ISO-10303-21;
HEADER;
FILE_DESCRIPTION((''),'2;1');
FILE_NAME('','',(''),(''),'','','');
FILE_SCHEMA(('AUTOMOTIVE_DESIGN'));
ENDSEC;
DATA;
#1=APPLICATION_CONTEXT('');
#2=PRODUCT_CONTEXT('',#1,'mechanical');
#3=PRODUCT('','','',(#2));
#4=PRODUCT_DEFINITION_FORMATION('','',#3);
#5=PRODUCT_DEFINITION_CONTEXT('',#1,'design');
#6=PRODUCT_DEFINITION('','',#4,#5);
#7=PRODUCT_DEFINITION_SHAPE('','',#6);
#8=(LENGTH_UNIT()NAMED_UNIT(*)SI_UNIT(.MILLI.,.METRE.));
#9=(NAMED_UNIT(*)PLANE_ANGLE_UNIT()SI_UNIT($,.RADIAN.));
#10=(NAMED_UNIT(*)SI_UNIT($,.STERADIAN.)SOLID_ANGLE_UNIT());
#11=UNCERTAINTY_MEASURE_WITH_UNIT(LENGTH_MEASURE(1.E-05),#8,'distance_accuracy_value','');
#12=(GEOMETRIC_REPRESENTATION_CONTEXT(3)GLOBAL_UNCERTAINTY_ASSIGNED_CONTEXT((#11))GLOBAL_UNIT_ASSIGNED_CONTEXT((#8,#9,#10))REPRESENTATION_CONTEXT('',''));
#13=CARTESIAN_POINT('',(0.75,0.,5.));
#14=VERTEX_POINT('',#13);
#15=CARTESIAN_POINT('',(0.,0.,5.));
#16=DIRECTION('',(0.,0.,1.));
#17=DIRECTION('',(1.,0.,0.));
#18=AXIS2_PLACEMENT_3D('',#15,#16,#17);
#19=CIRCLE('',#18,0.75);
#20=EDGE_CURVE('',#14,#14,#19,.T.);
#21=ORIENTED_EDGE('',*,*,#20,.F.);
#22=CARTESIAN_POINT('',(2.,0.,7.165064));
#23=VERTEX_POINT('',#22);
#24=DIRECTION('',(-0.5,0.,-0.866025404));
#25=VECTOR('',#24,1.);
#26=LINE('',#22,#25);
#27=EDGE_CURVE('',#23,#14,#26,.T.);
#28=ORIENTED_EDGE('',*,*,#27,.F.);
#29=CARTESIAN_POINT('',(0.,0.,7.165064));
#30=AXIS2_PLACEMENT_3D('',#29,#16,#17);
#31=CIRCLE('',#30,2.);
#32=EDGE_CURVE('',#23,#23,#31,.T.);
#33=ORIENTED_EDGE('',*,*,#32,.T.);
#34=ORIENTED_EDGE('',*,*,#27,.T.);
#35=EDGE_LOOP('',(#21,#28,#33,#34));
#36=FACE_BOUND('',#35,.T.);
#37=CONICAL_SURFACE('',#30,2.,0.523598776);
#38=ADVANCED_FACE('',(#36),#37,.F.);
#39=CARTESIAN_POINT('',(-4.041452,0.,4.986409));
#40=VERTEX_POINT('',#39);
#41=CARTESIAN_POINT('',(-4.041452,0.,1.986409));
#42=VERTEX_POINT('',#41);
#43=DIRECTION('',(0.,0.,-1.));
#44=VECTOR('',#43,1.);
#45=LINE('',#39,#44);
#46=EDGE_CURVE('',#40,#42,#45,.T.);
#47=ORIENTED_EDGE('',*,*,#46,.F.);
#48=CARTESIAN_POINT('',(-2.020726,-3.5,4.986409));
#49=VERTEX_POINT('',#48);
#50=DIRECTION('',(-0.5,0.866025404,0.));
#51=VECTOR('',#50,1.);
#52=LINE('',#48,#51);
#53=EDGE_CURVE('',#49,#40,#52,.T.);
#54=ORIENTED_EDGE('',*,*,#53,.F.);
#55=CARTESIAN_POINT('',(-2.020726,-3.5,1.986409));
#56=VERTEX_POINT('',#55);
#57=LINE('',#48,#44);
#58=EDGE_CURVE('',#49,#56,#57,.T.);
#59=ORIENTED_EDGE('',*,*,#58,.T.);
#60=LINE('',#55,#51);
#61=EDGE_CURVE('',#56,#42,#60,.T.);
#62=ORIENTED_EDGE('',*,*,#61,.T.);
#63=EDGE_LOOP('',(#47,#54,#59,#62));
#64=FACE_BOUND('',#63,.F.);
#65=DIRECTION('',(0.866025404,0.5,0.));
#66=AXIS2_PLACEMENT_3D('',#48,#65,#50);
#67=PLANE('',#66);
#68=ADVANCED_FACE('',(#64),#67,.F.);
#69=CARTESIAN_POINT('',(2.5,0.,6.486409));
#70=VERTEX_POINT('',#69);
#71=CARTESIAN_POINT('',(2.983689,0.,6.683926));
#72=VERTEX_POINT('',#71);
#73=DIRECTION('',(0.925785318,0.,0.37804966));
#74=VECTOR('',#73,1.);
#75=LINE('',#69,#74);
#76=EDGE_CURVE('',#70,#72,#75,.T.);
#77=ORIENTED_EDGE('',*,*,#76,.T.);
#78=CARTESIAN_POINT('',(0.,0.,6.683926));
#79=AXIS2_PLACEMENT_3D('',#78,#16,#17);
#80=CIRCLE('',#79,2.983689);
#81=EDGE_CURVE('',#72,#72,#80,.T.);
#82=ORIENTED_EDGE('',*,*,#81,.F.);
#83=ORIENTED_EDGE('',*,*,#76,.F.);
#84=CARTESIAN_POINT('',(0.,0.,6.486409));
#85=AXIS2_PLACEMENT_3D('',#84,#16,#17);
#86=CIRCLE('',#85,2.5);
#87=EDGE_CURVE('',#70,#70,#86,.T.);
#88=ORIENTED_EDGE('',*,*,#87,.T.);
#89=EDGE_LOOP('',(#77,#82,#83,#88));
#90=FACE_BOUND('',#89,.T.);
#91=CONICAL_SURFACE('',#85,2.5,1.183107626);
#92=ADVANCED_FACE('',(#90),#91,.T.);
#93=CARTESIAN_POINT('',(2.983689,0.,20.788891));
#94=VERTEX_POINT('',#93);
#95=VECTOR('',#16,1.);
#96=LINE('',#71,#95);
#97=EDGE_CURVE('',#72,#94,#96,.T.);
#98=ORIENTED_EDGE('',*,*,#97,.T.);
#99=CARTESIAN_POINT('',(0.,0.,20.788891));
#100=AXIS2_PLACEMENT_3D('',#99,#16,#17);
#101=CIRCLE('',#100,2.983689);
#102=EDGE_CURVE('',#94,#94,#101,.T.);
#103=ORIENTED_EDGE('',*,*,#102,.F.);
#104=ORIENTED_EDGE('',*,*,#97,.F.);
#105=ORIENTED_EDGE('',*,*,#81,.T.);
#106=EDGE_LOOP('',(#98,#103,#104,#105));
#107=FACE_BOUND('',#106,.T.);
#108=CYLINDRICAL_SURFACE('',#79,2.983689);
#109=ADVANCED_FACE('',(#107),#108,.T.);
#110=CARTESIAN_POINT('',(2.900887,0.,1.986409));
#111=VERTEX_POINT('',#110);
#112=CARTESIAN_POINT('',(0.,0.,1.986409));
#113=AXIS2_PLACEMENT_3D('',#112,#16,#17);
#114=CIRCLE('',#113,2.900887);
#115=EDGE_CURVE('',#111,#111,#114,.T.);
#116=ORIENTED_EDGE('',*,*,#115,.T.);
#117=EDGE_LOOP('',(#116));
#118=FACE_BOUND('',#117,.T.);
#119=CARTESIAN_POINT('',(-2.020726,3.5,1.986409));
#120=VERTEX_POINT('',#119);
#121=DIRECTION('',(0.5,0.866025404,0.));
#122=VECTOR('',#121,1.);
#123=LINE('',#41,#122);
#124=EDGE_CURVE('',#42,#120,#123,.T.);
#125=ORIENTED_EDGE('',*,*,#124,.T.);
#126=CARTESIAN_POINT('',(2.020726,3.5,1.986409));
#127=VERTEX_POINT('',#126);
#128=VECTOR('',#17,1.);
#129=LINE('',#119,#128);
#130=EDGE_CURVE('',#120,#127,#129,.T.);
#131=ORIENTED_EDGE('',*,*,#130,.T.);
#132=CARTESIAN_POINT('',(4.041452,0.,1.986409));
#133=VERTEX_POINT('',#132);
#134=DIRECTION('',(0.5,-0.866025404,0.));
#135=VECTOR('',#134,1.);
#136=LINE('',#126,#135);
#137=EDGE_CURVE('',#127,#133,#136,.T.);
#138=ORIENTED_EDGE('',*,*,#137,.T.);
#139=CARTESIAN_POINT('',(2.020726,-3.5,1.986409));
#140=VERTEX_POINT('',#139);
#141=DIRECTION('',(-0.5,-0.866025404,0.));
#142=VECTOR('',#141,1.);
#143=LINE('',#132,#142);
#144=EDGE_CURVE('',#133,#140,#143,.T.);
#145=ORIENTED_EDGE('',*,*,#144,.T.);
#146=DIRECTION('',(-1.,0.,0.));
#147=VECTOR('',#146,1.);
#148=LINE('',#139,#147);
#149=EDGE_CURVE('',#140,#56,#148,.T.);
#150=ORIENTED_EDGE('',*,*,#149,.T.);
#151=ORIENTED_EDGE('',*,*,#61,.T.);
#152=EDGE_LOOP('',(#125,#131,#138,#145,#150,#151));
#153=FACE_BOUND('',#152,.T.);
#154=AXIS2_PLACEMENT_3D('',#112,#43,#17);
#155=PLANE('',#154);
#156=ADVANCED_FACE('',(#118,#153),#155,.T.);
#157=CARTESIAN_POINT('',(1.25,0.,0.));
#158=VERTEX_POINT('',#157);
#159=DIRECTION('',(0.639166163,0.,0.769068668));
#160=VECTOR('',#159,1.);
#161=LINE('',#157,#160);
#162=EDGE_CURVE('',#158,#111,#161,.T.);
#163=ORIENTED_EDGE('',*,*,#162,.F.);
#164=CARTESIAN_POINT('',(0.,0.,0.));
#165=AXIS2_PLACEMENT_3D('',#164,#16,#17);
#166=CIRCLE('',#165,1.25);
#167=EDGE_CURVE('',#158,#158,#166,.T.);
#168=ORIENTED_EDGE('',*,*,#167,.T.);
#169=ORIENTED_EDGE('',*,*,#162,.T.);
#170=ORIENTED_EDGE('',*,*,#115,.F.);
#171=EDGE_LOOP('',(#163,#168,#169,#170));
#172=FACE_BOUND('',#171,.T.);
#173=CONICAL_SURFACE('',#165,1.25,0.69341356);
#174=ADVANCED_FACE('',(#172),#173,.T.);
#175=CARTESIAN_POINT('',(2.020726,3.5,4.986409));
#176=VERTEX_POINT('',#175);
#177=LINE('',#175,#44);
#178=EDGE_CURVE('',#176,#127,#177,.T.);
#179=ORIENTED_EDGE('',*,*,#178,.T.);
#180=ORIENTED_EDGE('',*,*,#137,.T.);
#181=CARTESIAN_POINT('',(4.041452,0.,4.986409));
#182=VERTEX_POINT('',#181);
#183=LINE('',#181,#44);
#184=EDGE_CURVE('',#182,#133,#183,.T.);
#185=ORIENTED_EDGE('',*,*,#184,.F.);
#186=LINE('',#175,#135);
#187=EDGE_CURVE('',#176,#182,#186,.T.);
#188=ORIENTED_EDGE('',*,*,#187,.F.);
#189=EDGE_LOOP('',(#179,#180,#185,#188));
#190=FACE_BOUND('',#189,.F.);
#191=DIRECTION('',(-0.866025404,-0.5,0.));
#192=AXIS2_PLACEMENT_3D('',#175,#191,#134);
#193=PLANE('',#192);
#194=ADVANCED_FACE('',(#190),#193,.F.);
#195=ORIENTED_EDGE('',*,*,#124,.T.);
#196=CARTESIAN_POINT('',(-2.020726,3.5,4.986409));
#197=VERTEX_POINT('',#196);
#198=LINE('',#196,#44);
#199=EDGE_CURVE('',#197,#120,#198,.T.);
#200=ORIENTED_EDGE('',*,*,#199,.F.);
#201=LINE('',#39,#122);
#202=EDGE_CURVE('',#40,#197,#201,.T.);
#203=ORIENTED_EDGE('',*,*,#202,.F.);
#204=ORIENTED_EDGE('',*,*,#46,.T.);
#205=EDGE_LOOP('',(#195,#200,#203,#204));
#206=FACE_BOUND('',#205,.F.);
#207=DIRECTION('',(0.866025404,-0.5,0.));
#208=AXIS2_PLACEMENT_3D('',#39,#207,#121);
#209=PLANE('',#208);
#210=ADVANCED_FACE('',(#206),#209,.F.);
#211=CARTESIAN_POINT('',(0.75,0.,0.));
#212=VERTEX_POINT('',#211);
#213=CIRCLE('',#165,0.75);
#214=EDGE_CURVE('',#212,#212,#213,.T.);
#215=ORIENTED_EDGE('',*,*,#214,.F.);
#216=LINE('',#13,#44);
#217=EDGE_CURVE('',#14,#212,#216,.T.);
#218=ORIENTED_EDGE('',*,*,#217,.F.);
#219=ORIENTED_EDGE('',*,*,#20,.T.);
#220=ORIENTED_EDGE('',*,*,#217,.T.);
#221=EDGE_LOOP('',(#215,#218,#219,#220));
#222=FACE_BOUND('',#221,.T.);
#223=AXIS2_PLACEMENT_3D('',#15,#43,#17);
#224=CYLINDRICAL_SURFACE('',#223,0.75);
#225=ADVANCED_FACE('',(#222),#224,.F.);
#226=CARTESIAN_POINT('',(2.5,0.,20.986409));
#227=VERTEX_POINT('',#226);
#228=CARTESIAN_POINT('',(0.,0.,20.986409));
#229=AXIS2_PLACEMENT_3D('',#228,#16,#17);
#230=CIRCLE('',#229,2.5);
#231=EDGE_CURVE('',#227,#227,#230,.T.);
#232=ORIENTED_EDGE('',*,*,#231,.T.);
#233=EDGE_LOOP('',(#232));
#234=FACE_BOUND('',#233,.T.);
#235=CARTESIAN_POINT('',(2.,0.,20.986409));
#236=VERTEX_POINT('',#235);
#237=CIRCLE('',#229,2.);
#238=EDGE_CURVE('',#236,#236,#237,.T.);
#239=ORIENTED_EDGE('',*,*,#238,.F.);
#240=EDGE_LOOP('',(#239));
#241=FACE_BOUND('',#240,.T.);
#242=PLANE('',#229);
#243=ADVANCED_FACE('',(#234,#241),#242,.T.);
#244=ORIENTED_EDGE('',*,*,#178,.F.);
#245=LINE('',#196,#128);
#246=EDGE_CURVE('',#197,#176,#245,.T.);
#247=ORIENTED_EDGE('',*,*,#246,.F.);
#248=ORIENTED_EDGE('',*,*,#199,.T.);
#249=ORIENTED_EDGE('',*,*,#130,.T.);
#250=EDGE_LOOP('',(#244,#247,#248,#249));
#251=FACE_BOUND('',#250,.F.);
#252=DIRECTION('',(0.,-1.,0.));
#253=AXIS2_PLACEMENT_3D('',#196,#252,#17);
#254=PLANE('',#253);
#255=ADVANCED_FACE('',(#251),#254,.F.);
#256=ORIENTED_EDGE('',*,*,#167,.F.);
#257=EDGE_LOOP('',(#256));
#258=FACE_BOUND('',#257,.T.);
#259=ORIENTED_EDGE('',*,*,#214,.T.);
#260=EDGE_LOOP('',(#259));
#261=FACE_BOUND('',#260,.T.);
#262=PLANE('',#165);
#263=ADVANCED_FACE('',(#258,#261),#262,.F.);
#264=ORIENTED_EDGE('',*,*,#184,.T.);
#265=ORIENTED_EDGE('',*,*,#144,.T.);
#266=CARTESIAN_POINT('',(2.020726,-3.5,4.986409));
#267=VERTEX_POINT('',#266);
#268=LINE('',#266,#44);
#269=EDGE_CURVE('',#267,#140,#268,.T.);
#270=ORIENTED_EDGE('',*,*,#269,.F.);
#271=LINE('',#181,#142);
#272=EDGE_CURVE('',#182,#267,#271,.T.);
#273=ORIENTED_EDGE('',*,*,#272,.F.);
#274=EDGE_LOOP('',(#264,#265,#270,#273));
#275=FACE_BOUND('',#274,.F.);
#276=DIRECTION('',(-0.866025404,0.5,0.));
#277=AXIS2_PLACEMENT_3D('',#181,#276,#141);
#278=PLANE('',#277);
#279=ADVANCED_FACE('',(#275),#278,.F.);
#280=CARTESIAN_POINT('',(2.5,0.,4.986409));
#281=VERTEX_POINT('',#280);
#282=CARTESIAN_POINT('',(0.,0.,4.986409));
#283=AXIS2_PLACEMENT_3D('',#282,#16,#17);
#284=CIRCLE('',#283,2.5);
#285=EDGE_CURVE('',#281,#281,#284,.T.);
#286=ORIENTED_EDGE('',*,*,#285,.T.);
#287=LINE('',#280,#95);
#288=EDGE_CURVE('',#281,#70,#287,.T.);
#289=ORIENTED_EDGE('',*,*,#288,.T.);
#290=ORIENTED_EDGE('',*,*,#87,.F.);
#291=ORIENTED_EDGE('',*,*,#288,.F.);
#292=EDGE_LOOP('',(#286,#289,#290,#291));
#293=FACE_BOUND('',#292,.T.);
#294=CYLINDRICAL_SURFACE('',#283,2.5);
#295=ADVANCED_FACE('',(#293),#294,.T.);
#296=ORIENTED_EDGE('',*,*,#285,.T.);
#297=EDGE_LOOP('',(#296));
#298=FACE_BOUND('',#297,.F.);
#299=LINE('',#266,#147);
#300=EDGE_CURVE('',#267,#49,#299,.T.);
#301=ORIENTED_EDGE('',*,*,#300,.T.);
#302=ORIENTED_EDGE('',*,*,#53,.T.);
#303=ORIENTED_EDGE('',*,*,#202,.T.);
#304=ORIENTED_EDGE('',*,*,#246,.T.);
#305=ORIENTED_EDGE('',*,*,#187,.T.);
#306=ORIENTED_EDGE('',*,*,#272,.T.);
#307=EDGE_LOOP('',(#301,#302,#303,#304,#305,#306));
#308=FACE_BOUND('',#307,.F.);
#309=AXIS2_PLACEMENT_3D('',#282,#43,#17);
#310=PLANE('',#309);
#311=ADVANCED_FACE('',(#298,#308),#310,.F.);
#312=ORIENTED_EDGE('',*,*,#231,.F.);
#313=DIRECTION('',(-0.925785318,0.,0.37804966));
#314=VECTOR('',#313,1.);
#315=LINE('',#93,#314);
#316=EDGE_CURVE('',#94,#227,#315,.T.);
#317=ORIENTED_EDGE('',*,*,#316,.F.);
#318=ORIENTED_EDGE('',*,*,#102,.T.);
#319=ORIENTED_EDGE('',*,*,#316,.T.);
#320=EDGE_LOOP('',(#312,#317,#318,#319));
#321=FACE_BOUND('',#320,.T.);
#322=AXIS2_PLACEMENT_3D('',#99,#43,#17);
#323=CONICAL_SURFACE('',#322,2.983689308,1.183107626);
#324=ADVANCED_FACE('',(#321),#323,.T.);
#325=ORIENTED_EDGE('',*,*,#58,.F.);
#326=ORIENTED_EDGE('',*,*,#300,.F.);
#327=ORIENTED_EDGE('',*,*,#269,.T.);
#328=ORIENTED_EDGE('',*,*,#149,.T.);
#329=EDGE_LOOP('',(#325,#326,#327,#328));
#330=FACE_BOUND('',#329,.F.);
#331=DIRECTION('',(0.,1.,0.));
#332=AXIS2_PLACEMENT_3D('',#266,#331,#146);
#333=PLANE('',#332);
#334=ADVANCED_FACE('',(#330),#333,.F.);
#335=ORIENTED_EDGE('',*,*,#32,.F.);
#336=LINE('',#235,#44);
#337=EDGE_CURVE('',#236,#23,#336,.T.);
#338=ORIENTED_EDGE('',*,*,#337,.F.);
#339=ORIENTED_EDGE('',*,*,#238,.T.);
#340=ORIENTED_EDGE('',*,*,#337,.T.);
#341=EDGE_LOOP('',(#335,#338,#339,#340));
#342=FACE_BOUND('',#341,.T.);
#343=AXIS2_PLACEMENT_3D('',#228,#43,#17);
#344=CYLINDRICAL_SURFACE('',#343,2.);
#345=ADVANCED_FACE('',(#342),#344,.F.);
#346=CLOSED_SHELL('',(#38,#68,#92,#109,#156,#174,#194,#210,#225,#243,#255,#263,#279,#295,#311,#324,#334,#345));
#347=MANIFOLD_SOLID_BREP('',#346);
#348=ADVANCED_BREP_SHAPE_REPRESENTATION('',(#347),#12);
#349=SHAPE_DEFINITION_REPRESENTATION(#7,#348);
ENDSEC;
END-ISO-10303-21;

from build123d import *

# Parameters (mm, degrees)
F0_W     = 1.2707259422
F0_H     = 3
F2_R     = 2.5
F2_R_2   = 2.0207259422
F3_DEPTH = 3


with BuildPart() as f1:
    # F0 (on Front) → F1 (revolve)
    with BuildSketch(Plane.XZ):
        Polygon((-21.4229148179, -4.8091755062), (-21.4229148179, -4.8227669001), (-20.1521888758, -4.8227669001), (-19.6729148179, -4.8227669001), (-19.6729148179, -3.3227669001), (-19.1892255098, -3.125249641), (-19.1892255098, 10.9797158409), (-19.6729148179, 11.1772330999), (-20.1729148179, 11.1772330999), (-20.1729148179, -2.6441119968), align=None)
        with Locations((-20.7875518468, -6.3227669001)):
            Rectangle(F0_W, F0_H)
        Polygon((-21.4229148179, -7.8227669001), (-21.4229148179, -9.8091755062), (-20.9229148179, -9.8091755062), (-19.2720282078, -7.8227669001), (-20.1521888758, -7.8227669001), align=None)
    revolve(axis=Axis((-22.1729148179, 0, 14.5059827045), (0, 0, 1)))

    # F2 (on face) → F3 (join, through all)
    with BuildSketch(Plane(origin=(0, 0, -4.8227669001), x_dir=(1, 0, 0), z_dir=(0, 0, -1))):
        Polygon((-20.1521888758, 3.5), (-24.1936407601, 3.5), (-26.2143667023, 0), (-24.1936407601, -3.5), (-20.1521888758, -3.5), (-18.1314629336, 0), align=None)
        with Locations((-22.1729148179, 0)):
            Circle(F2_R, mode=Mode.SUBTRACT)
        with Locations((-22.1729148179, 0)):
            Circle(F2_R)
        with Locations((-22.1729148179, 0)):
            Circle(F2_R_2, mode=Mode.SUBTRACT)
    extrude(amount=F3_DEPTH)


with BuildPart() as f1_1:
    # F4: moved
    add(f1.part.moved(Location((22.1729148179, 0, 9.8091755062))))


solid = f1_1.part
